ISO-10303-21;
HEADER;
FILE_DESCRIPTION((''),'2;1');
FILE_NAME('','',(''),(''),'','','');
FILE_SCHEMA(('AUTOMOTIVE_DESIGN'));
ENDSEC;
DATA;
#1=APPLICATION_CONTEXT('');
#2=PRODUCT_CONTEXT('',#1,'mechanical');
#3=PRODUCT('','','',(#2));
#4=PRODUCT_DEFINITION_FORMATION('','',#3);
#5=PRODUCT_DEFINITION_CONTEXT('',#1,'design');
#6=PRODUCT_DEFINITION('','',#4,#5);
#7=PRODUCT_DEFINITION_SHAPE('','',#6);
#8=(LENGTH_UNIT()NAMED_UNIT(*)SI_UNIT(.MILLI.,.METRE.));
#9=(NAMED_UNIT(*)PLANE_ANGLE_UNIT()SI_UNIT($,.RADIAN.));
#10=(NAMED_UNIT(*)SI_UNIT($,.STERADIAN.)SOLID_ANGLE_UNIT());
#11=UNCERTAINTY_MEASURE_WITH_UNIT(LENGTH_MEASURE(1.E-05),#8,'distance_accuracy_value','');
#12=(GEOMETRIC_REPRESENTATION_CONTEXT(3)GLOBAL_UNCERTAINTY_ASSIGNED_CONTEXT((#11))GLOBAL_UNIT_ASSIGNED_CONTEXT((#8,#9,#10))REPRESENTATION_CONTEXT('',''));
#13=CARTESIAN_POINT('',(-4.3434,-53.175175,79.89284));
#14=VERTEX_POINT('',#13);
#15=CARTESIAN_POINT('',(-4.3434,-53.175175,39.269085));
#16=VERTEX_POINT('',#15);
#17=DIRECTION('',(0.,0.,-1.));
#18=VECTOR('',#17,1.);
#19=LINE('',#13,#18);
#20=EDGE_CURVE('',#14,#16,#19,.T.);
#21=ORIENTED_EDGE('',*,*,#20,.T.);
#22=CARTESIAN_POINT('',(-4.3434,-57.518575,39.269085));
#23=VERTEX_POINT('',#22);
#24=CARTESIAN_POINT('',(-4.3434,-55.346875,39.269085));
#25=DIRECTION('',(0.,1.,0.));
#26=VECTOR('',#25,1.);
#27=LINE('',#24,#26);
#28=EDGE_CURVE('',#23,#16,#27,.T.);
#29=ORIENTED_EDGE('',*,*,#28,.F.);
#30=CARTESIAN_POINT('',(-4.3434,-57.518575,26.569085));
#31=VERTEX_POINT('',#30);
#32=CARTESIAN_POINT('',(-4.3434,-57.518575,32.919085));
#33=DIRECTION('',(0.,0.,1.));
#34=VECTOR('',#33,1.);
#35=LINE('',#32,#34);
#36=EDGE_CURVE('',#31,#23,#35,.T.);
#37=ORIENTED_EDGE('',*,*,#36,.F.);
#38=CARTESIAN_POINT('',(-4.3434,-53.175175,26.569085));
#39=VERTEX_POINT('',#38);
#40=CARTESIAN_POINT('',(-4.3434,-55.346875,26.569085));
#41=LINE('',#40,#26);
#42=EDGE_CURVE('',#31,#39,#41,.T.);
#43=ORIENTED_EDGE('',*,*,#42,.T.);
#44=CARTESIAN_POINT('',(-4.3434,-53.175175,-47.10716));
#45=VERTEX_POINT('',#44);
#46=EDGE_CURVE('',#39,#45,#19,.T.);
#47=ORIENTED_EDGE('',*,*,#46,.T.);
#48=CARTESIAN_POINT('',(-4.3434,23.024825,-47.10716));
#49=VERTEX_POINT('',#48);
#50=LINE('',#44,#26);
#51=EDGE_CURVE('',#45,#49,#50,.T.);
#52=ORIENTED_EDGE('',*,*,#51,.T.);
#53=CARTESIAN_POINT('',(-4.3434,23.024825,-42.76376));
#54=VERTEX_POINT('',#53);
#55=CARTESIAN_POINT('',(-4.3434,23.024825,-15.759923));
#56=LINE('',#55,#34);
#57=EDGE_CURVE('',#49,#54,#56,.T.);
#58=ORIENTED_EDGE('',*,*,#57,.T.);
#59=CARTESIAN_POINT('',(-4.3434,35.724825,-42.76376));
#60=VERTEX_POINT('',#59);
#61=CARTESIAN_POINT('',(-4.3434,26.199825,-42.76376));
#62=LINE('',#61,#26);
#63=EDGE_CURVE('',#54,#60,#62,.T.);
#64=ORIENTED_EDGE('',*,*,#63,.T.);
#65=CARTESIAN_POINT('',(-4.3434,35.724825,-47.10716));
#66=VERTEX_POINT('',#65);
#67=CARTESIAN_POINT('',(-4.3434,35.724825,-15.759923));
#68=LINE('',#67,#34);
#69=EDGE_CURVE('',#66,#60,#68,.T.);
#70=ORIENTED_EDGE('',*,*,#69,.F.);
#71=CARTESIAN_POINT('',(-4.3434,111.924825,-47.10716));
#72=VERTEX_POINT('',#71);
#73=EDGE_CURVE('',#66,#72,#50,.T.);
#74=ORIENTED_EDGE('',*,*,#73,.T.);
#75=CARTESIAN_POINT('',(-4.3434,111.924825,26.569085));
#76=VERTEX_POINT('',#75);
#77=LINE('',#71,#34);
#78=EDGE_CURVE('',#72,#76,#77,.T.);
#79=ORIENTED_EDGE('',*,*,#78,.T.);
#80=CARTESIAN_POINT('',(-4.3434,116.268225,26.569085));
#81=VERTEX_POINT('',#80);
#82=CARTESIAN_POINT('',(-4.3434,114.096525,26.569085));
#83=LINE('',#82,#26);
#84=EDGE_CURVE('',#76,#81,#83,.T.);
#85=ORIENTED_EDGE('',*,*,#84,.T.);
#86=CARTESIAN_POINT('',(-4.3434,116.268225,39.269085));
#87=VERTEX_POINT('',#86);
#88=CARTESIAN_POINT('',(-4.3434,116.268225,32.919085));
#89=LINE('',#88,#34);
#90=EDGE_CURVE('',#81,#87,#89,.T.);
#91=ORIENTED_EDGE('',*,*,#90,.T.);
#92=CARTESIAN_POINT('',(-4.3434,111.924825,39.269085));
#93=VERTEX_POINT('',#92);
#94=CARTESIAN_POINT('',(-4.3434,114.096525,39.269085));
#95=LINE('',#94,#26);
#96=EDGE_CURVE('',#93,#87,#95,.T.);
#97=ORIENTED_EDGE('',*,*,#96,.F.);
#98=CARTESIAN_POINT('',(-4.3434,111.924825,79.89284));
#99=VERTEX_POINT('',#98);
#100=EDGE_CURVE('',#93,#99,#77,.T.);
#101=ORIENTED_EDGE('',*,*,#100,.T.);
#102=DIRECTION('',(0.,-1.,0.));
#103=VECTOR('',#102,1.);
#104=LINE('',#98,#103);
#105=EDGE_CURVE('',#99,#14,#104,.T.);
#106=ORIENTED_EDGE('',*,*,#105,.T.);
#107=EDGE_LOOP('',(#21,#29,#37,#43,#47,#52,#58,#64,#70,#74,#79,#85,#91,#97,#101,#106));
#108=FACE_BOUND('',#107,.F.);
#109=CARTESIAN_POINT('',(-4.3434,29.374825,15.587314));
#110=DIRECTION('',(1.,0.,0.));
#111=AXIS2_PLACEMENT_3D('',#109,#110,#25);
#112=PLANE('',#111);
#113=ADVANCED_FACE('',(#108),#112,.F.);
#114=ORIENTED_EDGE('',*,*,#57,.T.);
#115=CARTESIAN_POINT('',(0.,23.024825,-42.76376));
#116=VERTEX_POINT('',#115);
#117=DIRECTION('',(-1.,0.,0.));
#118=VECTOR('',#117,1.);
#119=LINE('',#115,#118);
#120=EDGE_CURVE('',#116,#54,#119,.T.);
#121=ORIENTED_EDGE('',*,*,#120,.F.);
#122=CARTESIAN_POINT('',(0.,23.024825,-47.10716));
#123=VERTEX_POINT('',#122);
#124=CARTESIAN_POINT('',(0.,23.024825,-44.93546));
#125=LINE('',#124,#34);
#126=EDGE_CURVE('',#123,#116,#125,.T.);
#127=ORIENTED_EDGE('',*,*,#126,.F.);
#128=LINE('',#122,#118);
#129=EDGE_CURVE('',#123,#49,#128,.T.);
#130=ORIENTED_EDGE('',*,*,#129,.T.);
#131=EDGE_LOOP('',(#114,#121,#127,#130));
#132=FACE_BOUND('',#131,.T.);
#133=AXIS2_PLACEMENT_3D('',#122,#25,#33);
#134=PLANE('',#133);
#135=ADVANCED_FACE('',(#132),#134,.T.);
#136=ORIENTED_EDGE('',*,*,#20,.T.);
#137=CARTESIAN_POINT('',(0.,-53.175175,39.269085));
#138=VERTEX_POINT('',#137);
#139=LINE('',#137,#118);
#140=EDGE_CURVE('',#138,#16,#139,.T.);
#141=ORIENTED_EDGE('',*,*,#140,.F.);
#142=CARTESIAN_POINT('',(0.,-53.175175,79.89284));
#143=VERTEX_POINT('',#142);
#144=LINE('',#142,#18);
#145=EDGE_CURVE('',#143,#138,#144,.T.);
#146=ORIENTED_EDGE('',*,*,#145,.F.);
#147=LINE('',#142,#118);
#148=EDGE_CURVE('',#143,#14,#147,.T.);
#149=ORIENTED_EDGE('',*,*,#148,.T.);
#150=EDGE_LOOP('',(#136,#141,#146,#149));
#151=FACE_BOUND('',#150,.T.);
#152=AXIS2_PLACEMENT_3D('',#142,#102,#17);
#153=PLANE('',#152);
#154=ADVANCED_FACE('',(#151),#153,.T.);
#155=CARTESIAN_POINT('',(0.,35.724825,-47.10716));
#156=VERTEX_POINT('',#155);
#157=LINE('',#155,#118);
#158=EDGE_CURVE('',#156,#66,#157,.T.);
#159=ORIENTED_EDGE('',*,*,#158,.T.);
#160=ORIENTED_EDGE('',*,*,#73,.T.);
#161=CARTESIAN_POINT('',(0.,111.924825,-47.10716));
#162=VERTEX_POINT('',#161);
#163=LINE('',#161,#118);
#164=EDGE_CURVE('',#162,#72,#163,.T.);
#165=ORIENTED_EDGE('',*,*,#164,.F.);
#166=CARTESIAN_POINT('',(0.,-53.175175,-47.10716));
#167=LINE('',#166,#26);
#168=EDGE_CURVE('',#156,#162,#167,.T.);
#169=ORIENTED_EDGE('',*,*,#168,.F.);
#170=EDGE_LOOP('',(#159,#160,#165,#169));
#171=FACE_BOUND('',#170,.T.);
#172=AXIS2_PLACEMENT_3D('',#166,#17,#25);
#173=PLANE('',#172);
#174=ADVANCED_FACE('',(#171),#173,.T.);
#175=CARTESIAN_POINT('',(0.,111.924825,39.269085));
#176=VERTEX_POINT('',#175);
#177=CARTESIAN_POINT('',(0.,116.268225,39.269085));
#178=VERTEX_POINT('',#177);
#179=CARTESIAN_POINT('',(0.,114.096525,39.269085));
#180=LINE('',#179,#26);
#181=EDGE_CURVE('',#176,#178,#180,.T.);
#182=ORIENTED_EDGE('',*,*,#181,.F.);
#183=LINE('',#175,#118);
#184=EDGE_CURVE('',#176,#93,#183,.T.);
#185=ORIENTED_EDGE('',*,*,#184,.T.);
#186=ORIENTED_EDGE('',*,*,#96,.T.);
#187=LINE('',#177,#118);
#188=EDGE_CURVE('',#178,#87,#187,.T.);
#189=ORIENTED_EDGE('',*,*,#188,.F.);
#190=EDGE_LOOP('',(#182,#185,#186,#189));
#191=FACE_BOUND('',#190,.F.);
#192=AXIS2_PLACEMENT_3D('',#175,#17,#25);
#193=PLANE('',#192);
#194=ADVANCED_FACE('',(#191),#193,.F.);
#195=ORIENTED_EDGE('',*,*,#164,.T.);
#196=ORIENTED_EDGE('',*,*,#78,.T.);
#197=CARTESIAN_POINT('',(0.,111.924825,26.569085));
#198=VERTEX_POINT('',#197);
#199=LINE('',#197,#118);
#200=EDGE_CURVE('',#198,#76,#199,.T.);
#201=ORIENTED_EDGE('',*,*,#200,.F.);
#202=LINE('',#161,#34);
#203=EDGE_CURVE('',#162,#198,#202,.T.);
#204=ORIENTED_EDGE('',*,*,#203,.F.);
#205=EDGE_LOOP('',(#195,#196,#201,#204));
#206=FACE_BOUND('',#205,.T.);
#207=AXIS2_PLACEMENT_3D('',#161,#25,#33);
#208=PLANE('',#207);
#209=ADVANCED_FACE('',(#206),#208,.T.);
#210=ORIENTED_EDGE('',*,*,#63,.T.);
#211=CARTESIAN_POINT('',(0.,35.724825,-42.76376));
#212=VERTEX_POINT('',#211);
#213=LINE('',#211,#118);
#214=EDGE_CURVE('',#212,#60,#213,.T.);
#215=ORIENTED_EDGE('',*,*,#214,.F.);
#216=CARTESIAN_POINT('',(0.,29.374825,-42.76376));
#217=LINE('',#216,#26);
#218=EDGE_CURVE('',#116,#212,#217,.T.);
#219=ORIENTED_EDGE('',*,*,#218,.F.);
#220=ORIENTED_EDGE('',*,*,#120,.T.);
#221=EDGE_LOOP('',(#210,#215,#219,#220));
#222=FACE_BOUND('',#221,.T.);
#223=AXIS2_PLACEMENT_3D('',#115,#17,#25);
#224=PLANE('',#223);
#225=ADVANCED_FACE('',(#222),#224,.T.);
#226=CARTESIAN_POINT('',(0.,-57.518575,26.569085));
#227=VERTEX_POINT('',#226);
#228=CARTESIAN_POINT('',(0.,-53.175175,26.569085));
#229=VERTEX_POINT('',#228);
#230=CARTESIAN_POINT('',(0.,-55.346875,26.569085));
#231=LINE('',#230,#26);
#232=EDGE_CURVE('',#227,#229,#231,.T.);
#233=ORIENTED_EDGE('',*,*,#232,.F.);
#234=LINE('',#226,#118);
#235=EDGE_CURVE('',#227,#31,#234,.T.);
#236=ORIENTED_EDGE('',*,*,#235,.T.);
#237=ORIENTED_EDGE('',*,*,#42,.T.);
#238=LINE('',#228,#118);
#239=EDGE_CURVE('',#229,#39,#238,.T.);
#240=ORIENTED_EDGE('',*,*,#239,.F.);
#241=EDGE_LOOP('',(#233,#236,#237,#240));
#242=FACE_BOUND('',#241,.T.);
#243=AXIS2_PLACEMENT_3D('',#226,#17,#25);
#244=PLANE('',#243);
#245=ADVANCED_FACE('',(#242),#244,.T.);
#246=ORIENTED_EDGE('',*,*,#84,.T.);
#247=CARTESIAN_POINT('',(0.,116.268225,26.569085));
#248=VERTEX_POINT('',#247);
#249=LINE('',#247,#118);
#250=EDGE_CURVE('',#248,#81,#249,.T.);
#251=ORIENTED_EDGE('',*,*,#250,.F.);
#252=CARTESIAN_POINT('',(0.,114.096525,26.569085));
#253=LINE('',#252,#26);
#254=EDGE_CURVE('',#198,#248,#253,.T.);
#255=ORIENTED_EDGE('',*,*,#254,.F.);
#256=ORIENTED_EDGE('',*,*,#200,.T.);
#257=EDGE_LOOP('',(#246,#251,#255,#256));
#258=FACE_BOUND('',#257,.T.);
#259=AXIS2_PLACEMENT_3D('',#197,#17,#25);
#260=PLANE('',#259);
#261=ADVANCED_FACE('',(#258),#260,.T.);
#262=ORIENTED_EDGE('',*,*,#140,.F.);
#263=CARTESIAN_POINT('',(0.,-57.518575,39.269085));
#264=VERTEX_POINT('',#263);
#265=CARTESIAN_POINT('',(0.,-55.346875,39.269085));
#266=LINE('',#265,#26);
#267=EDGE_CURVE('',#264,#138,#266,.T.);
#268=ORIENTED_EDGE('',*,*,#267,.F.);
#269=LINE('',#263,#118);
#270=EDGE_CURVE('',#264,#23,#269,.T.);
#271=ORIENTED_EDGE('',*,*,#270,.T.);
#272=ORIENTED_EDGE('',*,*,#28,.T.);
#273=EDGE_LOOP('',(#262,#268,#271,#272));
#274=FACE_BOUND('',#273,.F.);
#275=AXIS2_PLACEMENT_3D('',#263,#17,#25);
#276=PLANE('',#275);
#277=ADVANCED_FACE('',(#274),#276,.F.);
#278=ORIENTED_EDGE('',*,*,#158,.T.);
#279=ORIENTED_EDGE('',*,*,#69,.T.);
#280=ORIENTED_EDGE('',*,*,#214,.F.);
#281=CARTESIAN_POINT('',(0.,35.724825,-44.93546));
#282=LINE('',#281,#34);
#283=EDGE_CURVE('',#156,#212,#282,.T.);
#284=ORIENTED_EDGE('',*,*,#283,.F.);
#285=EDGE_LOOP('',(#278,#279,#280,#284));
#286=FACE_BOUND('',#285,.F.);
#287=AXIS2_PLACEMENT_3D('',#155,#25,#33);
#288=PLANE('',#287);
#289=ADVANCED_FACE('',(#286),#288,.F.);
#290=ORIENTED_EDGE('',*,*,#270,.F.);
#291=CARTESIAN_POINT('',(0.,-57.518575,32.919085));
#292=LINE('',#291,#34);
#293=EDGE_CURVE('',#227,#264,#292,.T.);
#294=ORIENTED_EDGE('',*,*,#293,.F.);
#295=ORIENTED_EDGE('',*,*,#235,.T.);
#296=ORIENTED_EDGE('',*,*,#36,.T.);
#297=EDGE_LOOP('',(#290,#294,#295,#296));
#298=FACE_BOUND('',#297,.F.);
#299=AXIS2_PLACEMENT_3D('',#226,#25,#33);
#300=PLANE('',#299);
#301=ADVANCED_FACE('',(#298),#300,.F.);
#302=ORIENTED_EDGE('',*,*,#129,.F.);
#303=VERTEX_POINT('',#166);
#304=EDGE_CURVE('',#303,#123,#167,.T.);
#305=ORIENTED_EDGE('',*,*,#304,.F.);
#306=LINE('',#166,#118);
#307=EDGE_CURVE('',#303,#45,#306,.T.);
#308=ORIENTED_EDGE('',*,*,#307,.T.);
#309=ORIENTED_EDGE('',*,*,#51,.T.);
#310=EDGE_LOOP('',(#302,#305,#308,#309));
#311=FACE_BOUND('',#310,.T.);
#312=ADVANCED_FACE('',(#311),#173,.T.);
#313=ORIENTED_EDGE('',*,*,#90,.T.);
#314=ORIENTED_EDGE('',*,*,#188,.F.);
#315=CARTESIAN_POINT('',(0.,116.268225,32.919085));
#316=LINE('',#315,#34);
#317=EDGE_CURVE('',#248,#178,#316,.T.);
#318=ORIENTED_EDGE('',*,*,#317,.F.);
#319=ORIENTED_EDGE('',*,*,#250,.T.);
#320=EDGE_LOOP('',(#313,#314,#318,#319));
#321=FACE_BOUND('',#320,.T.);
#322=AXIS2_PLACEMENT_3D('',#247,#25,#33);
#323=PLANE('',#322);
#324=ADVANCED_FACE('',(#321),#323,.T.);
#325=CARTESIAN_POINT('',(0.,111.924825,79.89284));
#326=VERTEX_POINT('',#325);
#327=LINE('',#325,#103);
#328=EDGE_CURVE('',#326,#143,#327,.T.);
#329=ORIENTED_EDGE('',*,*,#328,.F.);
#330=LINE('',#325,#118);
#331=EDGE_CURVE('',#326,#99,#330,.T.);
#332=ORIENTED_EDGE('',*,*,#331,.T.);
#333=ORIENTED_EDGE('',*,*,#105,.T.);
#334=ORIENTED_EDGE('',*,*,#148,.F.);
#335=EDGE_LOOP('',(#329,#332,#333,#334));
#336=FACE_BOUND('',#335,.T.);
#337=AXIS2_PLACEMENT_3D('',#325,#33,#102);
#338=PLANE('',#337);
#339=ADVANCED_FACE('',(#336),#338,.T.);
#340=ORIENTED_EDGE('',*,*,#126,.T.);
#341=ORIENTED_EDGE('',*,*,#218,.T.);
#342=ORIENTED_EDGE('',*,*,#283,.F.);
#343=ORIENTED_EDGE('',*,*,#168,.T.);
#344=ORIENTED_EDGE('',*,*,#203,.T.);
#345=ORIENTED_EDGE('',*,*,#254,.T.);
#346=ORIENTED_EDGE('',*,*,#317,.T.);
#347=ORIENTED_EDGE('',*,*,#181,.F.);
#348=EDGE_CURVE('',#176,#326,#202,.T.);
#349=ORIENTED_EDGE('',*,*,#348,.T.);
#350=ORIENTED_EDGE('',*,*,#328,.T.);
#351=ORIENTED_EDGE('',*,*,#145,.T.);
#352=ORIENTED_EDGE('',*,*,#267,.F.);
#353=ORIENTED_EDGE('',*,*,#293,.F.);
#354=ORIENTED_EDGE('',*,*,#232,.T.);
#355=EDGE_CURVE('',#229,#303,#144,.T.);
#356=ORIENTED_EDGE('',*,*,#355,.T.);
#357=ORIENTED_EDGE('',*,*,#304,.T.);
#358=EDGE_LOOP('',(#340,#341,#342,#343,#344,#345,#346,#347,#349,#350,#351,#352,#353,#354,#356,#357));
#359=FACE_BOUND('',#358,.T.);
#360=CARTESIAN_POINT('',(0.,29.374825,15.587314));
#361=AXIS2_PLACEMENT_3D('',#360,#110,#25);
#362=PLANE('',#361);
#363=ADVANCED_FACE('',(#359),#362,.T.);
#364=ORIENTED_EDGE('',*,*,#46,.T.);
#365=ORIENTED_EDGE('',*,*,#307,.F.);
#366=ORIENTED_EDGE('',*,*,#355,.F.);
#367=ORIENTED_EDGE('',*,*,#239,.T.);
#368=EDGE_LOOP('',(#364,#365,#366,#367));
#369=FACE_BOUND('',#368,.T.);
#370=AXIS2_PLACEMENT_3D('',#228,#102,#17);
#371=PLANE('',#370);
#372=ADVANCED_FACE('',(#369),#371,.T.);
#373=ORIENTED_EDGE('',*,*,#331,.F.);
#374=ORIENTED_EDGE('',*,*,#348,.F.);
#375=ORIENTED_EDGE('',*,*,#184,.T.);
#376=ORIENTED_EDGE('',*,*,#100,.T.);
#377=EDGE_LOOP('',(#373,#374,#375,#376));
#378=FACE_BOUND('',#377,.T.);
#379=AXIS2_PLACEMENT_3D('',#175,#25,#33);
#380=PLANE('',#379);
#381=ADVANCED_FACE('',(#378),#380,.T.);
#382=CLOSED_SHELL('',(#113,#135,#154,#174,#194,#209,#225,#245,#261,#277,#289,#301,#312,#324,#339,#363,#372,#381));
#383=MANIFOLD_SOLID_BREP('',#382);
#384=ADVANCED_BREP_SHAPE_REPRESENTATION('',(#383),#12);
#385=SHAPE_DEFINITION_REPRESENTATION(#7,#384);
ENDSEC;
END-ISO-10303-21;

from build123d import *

# Parameters (mm, degrees)
F0_W     = 4.3434
F0_H     = 12.7
F0_W_2   = 12.7
F0_H_2   = 4.3434
F1_DEPTH = 4.3434
F2_W     = 12.7
F2_H     = 4.3434
F3_DEPTH = 4.3444


with BuildPart() as f1:
    # F0 (on Right) → F1 (new body)
    with BuildSketch(Plane.YZ):
        Polygon((111.924825, 79.89284), (-53.175175, 79.89284), (-53.175175, 39.269085), (-53.175175, 26.569085), (-53.175175, -47.10716), (23.024825, -47.10716), (23.024825, -42.76376), (35.724825, -42.76376), (35.724825, -47.10716), (111.924825, -47.10716), (111.924825, 26.569085), (111.924825, 39.269085), align=None)
        with Locations((-55.346875, 32.919085)):
            Rectangle(F0_W, F0_H)
        with Locations((114.096525, 32.919085)):
            Rectangle(F0_W, F0_H)
        with Locations((29.374825, -44.93546)):
            Rectangle(F0_W_2, F0_H_2)
    extrude(amount=-F1_DEPTH)

    # F2 (on Right) → F3 (cut, through all)
    with BuildSketch(Plane.YZ):
        with Locations((29.374825, -44.93546)):
            Rectangle(F2_W, F2_H)
    extrude(amount=-F3_DEPTH, mode=Mode.SUBTRACT)


solid = f1.part
